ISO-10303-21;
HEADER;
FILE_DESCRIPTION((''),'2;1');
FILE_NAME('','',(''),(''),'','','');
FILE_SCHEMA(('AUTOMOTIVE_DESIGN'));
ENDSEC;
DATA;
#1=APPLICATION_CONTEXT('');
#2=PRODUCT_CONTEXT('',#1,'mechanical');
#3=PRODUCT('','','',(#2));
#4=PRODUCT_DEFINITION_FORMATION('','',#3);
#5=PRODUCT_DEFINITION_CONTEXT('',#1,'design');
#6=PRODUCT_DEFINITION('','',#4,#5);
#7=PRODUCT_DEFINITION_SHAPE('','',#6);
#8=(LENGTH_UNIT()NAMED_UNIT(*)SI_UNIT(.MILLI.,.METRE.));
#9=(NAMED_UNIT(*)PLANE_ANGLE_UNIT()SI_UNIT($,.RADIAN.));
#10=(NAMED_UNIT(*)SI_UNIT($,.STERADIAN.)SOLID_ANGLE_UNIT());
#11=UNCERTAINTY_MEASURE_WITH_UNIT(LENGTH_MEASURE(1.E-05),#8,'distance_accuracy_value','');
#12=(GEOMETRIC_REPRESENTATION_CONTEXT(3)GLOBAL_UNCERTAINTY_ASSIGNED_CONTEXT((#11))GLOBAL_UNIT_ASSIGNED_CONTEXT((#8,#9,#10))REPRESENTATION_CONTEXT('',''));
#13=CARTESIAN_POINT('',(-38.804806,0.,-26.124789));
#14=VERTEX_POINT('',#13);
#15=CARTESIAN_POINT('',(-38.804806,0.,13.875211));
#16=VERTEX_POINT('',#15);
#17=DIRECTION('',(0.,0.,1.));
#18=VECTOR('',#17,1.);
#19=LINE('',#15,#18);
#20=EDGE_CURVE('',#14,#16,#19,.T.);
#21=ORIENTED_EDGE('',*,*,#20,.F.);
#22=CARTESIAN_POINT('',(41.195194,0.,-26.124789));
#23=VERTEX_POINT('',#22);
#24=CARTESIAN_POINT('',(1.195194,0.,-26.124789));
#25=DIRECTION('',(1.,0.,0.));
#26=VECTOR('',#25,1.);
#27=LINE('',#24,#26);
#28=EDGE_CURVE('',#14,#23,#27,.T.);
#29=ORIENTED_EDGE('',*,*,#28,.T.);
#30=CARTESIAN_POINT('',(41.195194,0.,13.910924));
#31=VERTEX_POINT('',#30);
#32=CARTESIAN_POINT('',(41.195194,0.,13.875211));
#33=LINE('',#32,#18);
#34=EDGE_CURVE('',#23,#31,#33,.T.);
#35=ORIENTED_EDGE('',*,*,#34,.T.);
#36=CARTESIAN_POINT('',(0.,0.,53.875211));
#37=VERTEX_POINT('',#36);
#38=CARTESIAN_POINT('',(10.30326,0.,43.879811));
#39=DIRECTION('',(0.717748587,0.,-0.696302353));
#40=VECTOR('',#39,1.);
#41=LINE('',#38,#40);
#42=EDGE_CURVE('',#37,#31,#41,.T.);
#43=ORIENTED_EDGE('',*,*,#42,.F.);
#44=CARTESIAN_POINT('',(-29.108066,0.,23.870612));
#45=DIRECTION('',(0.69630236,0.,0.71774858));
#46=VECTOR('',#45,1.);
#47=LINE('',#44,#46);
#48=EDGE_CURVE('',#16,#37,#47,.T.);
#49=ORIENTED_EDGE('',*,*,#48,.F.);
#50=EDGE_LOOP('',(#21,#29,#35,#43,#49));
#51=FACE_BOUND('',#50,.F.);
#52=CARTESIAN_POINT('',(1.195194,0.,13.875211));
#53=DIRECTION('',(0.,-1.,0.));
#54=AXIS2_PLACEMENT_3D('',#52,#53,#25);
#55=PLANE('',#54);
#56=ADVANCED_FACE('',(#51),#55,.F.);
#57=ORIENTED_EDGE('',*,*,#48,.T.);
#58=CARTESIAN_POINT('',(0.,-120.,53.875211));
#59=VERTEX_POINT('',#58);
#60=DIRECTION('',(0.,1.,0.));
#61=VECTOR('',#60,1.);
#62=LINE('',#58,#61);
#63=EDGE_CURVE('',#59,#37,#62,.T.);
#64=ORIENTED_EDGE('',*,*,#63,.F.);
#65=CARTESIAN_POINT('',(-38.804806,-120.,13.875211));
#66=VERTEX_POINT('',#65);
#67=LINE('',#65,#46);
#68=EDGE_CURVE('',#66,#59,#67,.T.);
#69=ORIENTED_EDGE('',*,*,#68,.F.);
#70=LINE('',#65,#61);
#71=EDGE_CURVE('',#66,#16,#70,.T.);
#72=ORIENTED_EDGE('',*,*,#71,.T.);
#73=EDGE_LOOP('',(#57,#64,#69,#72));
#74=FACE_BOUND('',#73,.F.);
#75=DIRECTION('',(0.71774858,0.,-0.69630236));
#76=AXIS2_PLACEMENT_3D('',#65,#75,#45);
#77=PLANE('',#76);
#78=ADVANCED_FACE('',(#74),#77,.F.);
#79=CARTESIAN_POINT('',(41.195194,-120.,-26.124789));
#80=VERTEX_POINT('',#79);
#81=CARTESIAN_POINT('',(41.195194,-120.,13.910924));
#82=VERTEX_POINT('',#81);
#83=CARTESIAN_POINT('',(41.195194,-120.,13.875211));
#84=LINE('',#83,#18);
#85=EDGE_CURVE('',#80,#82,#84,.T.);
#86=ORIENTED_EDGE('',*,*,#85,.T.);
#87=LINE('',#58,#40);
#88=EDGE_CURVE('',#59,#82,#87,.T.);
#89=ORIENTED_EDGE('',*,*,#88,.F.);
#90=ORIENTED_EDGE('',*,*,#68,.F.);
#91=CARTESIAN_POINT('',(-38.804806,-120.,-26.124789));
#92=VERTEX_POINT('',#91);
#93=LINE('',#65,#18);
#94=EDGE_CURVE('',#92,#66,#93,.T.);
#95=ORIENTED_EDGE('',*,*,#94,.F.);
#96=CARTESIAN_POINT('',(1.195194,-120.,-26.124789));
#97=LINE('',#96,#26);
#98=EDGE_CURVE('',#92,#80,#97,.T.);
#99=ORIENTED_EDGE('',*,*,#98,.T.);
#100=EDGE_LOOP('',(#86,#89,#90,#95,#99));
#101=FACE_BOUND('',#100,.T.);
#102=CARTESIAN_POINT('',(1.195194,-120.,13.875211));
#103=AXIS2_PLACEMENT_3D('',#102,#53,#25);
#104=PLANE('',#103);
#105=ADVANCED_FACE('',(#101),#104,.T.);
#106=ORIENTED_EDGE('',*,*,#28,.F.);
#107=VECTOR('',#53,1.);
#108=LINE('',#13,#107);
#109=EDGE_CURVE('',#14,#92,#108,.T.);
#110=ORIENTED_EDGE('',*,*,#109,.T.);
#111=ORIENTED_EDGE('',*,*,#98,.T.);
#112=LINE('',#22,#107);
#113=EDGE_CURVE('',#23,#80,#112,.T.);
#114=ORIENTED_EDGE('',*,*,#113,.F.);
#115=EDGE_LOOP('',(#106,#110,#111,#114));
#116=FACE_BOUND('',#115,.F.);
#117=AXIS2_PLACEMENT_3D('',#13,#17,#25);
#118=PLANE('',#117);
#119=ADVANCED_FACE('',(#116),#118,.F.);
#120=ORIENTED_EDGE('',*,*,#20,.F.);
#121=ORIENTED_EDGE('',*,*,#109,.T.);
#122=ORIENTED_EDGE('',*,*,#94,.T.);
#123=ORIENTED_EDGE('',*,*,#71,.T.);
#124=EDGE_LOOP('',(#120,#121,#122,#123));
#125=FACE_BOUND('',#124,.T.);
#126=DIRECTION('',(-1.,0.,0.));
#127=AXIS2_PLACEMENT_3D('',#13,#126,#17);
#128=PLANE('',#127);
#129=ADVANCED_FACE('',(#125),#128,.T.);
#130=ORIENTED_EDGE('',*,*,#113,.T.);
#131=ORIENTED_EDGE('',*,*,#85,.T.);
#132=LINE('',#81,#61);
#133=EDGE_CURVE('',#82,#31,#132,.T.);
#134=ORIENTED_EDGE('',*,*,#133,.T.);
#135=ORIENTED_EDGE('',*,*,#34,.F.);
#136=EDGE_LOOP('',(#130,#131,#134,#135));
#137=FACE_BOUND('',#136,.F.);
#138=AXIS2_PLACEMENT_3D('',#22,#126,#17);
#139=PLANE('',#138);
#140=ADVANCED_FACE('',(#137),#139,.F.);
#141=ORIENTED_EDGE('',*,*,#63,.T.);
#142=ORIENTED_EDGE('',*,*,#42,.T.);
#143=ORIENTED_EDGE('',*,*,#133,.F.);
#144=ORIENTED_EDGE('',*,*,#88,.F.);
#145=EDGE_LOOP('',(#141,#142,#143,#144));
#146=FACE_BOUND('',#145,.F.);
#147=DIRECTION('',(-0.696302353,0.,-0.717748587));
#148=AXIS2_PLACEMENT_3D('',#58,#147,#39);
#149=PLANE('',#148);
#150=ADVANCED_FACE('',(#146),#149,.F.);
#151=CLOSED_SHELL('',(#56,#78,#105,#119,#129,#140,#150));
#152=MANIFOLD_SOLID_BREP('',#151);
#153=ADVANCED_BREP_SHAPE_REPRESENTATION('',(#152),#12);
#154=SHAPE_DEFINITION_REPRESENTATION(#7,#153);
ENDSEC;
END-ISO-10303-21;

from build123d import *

# Parameters (mm, degrees)
F0_W     = 80
F0_H     = 80
F1_DEPTH = 120
F3_DEPTH = 120.001


with BuildPart() as f1:
    # F0 (on Front) → F1 (new body)
    with BuildSketch(Plane.XZ):
        with Locations((1.195194, 13.875211)):
            Rectangle(F0_W, F0_H)
    extrude(amount=F1_DEPTH)

    # F2 (on face) → F3 (cut, through all)
    with BuildSketch(Plane.XZ.offset(120)):
        Polygon((-38.804806, 53.875211), (-38.804806, 13.875211), (0, 53.875211), align=None)
        Polygon((41.195194, 53.875211), (0, 53.875211), (41.195194, 13.910924), align=None)
    extrude(amount=-F3_DEPTH, mode=Mode.SUBTRACT)


solid = f1.part
